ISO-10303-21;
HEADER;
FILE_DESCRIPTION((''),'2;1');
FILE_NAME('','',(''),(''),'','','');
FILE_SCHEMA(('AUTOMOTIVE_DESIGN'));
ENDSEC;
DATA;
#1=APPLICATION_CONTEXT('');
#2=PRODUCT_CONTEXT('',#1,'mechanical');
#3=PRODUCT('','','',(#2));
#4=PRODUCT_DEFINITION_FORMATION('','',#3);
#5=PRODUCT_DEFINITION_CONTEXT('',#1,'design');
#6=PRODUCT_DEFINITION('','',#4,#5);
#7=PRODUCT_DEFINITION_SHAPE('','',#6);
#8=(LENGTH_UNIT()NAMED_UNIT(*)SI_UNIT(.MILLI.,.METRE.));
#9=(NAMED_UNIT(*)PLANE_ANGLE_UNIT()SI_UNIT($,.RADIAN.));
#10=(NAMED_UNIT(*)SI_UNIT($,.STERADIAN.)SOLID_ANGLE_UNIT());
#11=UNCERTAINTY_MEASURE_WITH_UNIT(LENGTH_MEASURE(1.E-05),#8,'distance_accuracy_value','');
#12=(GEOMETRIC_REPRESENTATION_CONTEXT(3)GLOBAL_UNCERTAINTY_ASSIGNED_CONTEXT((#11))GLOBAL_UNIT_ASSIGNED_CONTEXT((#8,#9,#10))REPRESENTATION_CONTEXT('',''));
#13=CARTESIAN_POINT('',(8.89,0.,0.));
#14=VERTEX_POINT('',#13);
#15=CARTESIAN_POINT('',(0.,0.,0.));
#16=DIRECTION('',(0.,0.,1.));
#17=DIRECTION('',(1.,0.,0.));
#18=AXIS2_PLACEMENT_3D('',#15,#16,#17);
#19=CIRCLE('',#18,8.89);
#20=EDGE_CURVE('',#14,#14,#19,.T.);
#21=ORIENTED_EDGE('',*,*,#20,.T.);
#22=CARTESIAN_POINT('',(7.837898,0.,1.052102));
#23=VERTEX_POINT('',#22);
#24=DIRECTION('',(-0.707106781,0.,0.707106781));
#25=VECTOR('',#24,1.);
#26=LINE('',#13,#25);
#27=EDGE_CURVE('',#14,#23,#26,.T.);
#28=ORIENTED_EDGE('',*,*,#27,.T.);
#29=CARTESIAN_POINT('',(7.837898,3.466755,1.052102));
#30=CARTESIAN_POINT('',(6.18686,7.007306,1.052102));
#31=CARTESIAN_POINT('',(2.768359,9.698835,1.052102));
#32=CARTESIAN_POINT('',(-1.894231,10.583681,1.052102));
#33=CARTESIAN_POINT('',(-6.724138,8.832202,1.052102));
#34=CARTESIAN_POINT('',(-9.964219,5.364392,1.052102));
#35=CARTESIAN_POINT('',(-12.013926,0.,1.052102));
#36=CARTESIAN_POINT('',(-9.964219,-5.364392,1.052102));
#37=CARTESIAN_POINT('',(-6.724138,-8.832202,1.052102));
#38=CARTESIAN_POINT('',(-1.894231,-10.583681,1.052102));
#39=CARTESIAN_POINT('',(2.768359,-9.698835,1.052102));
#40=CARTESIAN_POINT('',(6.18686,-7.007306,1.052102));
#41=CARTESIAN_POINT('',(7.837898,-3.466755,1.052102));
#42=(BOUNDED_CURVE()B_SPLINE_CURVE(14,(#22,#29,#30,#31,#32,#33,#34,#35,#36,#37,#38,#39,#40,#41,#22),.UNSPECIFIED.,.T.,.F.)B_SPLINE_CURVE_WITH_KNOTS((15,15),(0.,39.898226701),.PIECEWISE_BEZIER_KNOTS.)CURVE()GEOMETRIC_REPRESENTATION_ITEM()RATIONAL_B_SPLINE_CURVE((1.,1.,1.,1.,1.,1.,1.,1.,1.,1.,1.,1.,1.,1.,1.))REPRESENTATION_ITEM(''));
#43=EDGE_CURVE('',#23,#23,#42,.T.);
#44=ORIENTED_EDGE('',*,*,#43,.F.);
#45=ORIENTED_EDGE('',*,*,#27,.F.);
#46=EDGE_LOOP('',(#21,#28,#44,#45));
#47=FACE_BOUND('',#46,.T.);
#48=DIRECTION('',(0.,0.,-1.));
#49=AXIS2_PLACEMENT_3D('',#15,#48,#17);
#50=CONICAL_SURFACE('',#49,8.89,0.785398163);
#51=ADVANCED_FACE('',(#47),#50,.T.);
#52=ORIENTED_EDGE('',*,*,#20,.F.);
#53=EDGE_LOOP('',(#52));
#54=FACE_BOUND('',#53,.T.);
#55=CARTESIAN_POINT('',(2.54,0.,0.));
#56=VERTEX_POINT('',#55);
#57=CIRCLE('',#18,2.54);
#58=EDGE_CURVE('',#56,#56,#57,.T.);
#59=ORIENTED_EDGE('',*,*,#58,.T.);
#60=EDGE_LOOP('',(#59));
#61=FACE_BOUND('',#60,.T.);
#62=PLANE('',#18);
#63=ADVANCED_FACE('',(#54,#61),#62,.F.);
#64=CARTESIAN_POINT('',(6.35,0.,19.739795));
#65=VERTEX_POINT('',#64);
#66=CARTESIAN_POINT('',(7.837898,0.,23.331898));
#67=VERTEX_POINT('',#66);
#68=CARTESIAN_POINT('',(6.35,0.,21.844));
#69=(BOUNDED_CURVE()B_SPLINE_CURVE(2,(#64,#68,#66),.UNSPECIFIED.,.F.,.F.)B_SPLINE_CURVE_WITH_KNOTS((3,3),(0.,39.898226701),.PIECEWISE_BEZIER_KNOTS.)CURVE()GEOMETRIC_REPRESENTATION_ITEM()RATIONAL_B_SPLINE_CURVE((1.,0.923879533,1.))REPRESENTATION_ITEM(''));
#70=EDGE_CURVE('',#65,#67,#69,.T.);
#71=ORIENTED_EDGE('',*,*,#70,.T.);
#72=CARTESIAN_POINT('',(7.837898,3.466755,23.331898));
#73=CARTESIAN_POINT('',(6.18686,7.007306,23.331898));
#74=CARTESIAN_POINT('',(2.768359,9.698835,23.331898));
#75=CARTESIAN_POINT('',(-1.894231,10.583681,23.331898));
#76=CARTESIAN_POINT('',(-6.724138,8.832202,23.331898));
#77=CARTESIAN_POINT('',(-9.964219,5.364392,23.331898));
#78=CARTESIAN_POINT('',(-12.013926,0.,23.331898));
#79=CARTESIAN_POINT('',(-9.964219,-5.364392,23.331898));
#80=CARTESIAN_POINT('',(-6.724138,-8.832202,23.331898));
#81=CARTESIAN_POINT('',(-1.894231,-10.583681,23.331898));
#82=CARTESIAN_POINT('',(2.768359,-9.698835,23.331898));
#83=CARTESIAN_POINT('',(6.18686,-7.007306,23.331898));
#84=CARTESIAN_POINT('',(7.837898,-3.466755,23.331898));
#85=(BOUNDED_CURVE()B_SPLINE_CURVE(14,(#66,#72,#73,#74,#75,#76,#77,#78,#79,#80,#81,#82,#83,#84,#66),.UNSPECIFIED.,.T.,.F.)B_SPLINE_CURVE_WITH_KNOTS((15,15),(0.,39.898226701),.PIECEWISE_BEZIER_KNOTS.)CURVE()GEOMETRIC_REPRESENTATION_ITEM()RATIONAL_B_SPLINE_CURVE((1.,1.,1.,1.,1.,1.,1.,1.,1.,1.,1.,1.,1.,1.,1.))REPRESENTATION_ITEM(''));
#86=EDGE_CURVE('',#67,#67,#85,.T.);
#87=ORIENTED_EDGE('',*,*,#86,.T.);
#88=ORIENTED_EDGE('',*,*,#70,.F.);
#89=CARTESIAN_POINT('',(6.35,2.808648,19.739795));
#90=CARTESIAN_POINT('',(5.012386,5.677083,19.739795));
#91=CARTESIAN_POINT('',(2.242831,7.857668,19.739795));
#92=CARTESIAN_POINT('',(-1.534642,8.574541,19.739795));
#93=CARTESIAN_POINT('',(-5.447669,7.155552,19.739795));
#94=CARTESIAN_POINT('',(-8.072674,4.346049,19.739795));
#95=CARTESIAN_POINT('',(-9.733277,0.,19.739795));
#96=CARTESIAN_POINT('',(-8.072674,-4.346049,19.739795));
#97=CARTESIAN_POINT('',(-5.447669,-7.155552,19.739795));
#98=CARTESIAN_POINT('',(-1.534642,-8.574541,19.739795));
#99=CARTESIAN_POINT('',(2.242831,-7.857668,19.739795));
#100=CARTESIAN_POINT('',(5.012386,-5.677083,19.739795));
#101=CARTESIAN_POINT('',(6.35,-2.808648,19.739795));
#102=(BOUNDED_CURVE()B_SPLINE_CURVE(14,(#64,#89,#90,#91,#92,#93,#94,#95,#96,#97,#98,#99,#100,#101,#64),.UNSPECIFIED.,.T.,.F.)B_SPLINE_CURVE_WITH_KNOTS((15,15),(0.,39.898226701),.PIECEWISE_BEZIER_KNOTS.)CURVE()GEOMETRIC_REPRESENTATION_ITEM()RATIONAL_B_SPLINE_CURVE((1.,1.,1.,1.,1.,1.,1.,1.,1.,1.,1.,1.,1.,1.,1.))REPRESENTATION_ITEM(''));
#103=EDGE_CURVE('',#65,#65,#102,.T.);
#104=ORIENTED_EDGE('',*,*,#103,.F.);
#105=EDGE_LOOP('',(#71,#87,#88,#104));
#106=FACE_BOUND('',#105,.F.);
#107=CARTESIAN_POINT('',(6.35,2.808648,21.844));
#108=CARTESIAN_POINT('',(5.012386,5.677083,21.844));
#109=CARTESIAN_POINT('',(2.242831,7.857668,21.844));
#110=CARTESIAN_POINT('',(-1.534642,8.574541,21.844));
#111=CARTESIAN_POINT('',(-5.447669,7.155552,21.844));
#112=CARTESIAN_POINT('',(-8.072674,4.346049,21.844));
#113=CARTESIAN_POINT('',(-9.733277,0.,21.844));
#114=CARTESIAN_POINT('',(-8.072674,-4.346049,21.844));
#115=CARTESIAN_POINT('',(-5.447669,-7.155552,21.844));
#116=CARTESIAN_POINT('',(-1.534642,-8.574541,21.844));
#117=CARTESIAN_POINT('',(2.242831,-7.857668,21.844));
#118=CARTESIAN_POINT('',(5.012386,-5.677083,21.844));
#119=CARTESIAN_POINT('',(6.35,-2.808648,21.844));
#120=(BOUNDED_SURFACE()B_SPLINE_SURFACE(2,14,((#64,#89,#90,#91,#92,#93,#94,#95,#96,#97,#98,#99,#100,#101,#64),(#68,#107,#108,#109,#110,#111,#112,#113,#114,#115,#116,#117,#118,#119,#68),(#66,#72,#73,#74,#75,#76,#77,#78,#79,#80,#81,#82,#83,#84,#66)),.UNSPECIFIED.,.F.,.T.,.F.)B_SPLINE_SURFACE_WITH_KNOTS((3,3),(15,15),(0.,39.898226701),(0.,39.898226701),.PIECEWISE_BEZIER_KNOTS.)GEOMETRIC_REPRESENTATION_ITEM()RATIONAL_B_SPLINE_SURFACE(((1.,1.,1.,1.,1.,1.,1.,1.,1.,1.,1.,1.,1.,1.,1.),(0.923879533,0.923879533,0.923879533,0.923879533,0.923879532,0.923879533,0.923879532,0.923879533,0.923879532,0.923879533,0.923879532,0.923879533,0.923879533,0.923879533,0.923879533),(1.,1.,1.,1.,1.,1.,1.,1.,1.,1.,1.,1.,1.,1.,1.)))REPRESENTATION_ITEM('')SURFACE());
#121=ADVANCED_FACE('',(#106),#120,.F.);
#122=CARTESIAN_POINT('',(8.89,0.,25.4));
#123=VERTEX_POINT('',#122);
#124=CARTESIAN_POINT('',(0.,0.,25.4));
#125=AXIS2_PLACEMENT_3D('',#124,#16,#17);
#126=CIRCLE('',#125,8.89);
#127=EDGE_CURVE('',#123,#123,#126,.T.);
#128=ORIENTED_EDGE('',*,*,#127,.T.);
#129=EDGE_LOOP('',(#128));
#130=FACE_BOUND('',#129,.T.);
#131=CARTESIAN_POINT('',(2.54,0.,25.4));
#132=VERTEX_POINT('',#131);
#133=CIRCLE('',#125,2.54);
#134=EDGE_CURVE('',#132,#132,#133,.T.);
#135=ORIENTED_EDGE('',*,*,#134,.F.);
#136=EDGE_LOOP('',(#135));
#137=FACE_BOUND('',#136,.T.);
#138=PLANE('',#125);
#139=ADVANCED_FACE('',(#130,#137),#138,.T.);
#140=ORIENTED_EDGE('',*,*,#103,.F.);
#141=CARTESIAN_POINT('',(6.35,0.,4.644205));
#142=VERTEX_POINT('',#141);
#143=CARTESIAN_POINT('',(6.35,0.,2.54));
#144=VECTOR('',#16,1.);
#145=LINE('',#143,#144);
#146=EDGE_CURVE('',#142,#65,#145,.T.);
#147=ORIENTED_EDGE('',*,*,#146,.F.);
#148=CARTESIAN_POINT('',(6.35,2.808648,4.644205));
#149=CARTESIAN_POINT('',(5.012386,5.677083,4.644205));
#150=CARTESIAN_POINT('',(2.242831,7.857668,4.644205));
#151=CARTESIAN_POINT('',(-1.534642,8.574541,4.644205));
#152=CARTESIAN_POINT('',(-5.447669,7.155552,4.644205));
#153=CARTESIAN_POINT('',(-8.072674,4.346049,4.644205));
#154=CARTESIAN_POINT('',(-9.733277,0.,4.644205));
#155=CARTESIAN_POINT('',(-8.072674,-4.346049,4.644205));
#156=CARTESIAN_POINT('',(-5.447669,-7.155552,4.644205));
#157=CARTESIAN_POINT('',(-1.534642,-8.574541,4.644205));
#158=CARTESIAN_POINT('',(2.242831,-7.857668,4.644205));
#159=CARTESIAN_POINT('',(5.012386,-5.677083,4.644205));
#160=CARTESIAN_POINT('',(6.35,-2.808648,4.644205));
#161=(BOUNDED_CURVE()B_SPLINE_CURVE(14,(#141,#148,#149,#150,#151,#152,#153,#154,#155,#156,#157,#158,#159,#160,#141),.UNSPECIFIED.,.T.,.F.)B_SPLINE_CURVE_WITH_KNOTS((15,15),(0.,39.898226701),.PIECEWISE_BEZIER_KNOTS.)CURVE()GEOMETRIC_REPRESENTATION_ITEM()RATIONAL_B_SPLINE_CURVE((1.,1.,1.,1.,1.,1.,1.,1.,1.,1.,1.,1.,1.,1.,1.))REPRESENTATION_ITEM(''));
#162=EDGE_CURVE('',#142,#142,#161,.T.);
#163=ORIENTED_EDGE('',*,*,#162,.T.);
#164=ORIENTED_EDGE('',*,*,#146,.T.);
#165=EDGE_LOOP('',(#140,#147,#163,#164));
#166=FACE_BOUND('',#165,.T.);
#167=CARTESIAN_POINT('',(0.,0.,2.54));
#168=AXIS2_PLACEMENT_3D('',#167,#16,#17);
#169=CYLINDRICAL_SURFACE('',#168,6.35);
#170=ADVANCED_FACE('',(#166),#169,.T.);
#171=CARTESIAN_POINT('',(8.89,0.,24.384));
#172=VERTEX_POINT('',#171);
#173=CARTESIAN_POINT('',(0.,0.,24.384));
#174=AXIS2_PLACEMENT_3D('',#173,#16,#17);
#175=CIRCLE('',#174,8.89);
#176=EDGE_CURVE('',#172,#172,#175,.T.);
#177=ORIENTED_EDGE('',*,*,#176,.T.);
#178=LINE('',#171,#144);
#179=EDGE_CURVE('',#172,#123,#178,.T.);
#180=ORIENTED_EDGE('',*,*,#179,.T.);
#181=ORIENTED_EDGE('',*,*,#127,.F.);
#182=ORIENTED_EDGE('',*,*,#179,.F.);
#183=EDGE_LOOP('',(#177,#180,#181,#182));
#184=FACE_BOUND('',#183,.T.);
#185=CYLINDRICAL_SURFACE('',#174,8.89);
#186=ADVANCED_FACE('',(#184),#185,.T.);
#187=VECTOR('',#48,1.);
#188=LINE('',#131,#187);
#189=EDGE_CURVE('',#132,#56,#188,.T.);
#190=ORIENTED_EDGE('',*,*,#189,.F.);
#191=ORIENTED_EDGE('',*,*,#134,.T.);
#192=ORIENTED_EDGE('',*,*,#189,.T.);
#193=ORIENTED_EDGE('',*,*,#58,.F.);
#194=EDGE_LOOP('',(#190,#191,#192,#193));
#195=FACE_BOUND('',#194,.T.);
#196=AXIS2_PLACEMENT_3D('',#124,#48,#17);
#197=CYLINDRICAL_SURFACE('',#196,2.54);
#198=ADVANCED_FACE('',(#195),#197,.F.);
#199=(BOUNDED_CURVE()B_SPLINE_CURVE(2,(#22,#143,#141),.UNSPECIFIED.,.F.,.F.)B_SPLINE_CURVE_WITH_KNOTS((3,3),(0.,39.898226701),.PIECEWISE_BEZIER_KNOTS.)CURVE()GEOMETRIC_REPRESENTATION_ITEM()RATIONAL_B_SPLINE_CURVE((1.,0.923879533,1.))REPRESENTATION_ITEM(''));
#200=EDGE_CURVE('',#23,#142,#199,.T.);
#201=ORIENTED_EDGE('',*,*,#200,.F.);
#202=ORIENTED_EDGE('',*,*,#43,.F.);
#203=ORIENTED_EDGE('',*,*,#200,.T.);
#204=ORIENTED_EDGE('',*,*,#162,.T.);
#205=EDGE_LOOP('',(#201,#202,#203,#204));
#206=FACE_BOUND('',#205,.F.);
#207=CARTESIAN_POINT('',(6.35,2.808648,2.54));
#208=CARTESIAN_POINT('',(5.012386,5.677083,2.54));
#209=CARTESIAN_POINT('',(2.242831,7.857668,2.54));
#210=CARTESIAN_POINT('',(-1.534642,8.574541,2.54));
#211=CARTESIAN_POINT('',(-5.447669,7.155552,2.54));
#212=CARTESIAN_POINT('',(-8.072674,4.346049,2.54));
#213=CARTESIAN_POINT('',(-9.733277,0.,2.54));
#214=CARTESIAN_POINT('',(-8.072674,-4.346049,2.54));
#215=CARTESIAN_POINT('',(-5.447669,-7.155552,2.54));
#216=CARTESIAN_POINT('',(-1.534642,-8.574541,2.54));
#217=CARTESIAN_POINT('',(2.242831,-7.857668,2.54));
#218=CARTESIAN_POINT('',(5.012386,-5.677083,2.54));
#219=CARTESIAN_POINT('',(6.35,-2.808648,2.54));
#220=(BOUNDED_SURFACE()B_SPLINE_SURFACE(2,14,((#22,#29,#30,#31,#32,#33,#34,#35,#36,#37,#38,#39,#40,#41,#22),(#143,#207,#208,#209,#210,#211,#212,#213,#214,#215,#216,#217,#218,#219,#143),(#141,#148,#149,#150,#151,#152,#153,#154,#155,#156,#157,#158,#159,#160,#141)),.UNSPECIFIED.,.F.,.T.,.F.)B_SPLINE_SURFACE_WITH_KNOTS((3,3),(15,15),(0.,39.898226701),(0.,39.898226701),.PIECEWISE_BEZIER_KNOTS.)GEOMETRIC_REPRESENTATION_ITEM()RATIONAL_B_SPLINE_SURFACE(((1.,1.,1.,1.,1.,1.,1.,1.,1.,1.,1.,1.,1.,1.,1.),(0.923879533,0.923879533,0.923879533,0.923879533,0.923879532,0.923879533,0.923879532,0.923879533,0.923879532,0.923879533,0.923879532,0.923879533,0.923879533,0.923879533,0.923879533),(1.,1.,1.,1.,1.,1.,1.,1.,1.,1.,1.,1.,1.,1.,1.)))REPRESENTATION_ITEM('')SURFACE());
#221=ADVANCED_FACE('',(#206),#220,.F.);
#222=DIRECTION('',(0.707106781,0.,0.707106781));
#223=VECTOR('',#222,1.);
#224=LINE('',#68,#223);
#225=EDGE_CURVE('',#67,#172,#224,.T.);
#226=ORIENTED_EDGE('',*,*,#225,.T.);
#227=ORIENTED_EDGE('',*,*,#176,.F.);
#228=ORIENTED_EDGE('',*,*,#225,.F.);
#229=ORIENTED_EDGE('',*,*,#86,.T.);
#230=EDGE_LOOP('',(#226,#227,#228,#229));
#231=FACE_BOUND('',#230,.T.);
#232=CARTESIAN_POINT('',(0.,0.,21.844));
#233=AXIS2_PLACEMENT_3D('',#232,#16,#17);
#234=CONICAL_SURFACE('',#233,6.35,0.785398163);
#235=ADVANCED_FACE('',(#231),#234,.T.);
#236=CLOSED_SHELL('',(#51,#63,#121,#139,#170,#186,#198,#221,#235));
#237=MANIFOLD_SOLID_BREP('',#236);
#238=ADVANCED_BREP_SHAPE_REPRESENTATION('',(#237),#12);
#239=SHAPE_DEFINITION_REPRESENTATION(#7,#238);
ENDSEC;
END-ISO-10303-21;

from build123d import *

# Parameters (mm, degrees)
F2_R = 5.08


with BuildPart() as f1:
    # F0 (on Front) → F1 (revolve)
    with BuildSketch(Plane.XZ):
        Polygon((2.54, 25.4), (2.54, 0), (8.89, 0), (6.35, 2.54), (6.35, 21.844), (8.89, 24.384), (8.89, 25.4), align=None)
    revolve(axis=Axis((0, 0, 18.663038), (0, 0, 1)))

    # F2
    f2_edges = [f1.edges().sort_by_distance(p)[0] for p in [
        (-6.35, 0, 21.844),
        (-6.35, 0, 2.54),
    ]]
    fillet(f2_edges, radius=F2_R)


solid = f1.part
